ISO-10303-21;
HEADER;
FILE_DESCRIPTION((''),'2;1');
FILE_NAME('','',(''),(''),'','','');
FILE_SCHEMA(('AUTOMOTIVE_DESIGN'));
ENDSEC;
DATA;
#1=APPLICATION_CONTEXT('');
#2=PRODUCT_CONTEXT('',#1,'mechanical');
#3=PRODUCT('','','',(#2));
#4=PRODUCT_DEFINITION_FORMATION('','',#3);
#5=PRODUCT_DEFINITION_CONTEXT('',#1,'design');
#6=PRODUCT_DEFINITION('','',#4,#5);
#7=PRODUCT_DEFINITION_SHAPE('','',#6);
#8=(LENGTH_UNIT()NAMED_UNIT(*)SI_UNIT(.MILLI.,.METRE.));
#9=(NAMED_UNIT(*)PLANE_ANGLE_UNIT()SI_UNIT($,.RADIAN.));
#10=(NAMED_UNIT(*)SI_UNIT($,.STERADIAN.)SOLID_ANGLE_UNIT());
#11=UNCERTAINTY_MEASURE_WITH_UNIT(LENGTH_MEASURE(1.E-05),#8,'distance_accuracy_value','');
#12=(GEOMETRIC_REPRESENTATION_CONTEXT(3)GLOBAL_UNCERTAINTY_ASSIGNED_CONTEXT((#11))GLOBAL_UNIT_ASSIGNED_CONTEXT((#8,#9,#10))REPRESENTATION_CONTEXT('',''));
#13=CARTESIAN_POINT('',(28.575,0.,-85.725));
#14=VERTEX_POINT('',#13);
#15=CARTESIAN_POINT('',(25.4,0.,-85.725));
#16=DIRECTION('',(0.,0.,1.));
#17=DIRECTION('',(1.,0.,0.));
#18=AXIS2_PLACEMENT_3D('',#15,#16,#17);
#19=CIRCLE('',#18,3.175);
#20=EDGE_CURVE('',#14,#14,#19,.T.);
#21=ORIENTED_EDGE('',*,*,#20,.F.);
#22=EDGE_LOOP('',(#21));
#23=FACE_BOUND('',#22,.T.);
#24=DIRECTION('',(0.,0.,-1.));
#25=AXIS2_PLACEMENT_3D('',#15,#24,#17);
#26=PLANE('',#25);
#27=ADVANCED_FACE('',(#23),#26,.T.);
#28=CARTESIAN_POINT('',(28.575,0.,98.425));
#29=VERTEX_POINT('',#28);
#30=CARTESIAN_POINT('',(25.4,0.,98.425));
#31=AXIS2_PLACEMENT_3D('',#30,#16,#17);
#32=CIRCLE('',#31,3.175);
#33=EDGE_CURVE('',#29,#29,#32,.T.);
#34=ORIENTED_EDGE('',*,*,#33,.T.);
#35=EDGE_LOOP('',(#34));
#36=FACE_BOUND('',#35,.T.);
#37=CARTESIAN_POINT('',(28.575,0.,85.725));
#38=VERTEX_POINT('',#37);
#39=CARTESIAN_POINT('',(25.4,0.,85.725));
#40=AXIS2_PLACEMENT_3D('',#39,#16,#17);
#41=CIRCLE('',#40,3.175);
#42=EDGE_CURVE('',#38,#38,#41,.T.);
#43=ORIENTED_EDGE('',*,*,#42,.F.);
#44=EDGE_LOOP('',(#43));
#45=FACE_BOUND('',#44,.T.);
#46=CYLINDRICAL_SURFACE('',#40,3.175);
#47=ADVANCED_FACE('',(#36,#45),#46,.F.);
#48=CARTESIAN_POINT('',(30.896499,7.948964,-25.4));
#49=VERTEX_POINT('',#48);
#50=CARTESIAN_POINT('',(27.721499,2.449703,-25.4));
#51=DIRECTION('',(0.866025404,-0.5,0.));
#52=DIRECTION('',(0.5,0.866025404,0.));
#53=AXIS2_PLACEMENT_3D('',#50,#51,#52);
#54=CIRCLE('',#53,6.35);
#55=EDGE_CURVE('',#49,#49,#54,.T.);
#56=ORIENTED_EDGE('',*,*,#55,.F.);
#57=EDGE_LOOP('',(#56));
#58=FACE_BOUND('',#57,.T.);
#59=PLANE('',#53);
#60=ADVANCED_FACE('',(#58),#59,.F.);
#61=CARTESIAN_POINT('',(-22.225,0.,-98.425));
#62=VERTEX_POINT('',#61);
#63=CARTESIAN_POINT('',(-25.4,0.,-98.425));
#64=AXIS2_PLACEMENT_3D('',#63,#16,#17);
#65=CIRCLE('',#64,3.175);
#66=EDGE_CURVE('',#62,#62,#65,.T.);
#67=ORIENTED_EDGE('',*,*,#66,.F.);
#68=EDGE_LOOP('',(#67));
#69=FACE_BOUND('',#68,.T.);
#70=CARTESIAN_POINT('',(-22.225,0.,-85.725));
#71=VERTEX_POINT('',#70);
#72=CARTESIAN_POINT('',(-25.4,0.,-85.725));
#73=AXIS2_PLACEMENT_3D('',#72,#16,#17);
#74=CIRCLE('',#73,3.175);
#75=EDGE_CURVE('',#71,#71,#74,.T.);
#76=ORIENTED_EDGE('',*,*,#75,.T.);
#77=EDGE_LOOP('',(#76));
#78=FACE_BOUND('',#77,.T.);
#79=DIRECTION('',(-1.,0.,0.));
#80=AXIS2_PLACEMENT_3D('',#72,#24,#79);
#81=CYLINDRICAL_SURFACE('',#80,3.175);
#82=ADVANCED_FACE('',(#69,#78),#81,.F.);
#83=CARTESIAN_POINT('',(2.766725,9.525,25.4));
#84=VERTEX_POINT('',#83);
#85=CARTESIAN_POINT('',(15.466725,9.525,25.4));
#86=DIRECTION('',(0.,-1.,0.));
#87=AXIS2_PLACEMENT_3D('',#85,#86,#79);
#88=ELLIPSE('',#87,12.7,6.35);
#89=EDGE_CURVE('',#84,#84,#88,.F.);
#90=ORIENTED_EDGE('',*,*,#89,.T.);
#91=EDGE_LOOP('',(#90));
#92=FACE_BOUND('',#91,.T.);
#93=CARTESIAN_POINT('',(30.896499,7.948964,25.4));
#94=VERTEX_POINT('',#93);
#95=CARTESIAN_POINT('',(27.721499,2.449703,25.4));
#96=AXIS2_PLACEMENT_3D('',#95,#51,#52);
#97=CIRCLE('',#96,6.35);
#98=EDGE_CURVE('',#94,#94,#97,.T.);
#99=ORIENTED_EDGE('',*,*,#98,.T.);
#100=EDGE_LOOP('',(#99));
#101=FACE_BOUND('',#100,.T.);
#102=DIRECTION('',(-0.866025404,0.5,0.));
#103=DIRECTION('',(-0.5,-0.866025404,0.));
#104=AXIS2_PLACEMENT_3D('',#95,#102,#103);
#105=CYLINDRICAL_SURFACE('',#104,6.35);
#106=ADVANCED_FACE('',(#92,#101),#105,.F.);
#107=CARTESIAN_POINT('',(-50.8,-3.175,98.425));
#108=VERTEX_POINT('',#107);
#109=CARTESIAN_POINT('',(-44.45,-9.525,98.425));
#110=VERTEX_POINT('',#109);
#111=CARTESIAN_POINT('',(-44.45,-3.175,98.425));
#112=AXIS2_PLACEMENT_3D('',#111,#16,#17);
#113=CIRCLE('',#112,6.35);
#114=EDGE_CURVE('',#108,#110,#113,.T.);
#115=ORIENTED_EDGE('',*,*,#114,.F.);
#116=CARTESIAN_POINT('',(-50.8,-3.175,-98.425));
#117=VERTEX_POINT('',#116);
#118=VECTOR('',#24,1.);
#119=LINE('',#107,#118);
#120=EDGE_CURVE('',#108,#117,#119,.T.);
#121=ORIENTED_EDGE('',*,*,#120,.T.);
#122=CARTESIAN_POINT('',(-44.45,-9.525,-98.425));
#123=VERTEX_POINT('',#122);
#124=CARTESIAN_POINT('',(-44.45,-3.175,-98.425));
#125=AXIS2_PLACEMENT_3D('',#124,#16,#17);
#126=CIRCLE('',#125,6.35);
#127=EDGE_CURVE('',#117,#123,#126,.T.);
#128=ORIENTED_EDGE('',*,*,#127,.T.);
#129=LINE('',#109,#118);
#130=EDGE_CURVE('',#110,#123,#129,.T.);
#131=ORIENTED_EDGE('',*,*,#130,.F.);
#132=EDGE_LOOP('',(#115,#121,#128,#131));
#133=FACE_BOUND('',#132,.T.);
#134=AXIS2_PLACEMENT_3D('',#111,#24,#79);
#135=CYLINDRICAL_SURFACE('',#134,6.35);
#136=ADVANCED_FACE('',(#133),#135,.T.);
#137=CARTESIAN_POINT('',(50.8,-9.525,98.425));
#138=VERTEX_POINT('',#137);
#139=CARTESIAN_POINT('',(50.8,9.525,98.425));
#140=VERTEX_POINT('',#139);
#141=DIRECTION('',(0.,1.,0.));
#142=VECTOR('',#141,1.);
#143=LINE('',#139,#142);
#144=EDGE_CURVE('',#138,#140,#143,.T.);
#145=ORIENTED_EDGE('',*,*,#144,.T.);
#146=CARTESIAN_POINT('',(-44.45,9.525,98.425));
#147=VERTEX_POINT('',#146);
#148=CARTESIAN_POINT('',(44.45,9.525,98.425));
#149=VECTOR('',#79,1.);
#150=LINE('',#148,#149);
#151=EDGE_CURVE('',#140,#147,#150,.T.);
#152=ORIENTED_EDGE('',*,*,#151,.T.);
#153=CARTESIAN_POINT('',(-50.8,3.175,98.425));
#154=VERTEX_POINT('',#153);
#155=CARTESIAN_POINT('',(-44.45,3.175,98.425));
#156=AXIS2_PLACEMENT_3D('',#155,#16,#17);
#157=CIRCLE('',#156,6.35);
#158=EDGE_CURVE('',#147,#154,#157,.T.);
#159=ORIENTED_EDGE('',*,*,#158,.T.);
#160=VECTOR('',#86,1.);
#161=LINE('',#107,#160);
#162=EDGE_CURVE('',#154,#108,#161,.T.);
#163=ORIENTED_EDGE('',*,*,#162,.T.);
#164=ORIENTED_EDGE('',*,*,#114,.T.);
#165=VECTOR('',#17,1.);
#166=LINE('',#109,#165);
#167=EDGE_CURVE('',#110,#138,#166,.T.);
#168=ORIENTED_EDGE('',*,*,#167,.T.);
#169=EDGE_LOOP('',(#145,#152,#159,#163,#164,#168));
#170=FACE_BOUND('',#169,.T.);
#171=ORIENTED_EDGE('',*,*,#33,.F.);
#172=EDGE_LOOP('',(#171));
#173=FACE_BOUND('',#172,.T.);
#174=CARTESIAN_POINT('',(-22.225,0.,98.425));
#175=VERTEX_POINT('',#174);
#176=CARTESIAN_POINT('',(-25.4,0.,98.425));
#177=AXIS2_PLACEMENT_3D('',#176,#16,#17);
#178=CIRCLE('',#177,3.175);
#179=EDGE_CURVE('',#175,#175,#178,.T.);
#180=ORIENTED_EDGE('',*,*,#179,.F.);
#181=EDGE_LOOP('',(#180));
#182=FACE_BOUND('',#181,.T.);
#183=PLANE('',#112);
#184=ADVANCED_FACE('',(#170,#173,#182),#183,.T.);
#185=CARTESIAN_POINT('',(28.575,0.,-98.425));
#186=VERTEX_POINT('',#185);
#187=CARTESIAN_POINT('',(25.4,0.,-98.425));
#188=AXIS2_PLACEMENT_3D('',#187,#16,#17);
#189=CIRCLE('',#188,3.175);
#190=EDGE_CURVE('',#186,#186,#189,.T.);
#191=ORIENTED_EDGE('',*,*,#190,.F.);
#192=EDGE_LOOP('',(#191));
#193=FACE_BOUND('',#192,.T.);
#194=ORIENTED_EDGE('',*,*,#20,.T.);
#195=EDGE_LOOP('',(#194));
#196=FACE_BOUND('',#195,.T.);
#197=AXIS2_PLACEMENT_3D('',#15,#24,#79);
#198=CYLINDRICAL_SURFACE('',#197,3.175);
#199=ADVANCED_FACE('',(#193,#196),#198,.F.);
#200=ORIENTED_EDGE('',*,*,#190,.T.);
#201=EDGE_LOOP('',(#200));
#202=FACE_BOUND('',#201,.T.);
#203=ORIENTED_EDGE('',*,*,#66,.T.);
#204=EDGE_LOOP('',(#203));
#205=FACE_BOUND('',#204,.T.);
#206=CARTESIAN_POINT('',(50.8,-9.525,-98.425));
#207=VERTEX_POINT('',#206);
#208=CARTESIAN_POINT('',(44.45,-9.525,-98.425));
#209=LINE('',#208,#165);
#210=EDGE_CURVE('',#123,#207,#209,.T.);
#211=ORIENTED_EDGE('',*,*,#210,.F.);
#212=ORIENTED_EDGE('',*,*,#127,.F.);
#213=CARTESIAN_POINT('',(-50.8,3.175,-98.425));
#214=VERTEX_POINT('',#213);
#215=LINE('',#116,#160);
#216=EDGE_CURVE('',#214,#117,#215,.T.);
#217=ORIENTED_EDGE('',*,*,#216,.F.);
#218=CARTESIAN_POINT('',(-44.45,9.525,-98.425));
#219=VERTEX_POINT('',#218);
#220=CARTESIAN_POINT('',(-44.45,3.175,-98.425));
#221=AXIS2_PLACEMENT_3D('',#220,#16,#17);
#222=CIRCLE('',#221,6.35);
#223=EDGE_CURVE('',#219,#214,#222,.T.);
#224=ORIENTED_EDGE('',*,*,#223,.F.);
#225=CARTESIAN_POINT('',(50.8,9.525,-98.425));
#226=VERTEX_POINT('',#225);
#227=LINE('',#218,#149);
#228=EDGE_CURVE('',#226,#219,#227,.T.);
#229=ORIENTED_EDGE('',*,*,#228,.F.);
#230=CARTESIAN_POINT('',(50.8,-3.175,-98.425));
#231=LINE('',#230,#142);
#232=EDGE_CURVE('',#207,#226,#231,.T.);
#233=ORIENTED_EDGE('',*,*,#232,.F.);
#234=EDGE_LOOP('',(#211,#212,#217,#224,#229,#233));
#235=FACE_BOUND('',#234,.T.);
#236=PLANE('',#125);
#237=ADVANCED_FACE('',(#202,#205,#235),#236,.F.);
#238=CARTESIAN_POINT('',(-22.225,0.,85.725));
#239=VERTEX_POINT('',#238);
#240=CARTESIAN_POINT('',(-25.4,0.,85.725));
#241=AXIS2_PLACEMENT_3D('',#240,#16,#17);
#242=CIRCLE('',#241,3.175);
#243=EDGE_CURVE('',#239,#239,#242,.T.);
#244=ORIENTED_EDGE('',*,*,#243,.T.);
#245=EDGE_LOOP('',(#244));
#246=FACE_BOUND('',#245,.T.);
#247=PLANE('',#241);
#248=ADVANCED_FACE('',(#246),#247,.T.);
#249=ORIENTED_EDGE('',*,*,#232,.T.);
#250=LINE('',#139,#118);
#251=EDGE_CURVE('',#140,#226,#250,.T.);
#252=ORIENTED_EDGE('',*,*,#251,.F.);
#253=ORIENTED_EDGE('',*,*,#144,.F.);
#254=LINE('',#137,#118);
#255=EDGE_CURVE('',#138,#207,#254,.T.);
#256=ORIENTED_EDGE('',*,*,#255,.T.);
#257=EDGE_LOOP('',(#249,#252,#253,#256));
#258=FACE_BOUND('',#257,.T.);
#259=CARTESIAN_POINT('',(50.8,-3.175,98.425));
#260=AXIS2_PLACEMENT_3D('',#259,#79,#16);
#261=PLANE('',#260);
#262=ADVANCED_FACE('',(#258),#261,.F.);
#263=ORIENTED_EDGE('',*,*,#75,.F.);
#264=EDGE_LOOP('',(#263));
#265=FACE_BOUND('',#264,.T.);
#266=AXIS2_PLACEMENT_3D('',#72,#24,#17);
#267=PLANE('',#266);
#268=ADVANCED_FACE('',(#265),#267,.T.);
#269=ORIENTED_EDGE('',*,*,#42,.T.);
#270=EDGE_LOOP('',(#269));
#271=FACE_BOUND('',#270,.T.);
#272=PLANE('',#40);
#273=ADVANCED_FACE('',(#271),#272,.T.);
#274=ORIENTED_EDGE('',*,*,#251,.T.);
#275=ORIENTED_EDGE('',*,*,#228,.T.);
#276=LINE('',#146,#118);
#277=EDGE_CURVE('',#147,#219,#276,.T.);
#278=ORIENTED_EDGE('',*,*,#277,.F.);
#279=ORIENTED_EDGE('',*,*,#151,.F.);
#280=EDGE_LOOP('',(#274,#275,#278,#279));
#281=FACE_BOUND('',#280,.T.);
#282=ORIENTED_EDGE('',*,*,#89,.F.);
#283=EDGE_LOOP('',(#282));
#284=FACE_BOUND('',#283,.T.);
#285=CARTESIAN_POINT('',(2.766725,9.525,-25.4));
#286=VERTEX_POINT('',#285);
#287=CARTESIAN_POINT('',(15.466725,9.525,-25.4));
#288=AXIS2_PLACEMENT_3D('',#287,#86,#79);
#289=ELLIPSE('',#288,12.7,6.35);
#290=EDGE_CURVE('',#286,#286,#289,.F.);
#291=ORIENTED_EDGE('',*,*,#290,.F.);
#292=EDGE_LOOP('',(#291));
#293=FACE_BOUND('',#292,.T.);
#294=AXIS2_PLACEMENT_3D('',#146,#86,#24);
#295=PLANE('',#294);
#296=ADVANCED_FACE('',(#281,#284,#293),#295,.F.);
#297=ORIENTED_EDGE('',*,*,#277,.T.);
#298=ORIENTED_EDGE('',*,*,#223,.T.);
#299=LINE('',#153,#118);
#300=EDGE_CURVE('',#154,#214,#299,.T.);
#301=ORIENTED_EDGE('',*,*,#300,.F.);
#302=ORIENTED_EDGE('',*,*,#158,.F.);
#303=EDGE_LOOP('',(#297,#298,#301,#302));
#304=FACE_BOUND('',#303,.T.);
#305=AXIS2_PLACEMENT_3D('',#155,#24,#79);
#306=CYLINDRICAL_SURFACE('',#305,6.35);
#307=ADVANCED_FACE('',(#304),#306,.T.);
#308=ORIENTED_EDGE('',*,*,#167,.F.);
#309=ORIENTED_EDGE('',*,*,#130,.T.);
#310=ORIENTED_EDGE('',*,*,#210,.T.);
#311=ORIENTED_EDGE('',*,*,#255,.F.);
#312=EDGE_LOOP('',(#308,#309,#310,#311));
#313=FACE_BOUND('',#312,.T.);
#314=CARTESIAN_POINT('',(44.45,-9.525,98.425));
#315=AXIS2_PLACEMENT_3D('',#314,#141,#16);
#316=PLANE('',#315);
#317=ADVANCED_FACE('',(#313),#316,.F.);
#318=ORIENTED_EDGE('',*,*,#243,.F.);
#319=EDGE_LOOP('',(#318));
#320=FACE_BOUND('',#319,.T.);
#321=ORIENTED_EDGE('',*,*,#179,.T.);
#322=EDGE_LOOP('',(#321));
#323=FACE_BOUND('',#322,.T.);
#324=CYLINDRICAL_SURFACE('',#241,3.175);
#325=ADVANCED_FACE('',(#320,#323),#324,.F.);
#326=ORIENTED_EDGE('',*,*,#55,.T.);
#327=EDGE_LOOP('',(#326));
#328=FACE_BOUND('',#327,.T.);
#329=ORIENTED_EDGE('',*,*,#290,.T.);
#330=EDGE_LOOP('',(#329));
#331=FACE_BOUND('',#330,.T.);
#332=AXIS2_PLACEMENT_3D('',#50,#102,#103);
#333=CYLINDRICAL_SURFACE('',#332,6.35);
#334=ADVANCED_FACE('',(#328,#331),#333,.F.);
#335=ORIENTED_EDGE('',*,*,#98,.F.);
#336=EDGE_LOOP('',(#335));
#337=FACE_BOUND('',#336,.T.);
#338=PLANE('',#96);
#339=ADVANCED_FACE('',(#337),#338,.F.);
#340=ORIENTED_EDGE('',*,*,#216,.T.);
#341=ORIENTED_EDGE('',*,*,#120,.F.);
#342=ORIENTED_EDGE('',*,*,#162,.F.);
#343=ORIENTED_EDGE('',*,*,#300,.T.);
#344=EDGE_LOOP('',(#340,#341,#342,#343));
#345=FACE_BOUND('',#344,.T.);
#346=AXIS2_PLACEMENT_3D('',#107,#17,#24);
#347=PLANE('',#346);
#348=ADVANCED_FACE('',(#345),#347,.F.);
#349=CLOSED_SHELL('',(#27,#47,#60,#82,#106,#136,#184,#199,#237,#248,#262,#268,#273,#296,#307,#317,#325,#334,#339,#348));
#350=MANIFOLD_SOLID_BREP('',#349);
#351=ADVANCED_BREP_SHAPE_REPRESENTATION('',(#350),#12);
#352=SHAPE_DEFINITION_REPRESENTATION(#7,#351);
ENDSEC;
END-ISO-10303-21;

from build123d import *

# Parameters (mm, degrees)
BOSS_EXTRUDE1_DEPTH = 98.425
SKETCH2_R           = 3.175
CUT_EXTRUDE1_DEPTH  = 12.7
SKETCH3_R           = 6.35
CUT_EXTRUDE2_DEPTH  = 66.04


with BuildPart() as part:
    # Sketch1 → Boss-Extrude1 (new body, symmetric)
    with BuildSketch(Plane.XY):
        with BuildLine():
            Line((44.45, 9.525), (50.8, 9.525))
            Line((50.8, 9.525), (50.8, 3.175))
            Line((50.8, 3.175), (50.8, -3.175))
            Line((50.8, -3.175), (50.8, -9.525))
            Line((50.8, -9.525), (44.45, -9.525))
            Line((44.45, -9.525), (-44.45, -9.525))
            ThreePointArc((-44.45, -9.525), (-48.940128061, -7.665128061), (-50.8, -3.175))
            Line((-50.8, -3.175), (-50.8, 3.175))
            ThreePointArc((-50.8, 3.175), (-48.940128061, 7.665128061), (-44.45, 9.525))
            Line((-44.45, 9.525), (44.45, 9.525))
        make_face()
    extrude(amount=BOSS_EXTRUDE1_DEPTH, both=True)

    # Sketch2 → Cut-Extrude1 (cut)
    with BuildSketch(Plane.XY.offset(98.425)):
        with Locations((-25.4, 0)):
            Circle(SKETCH2_R)
        with Locations((25.4, 0)):
            Circle(SKETCH2_R)
    cut_extrude1 = extrude(amount=-CUT_EXTRUDE1_DEPTH, mode=Mode.SUBTRACT)

    # Sketch3 → Cut-Extrude2 (cut)
    with BuildSketch(Plane(origin=(-37.461945986, 21.628664599, 0), x_dir=(0, 0, -1), z_dir=(0.866025404, -0.5, 0))):
        with Locations(Location((-25.4, 15.982254693, 0), (0, 0, 270))):  # turned: the seam where the file's is
            Circle(SKETCH3_R)
        with Locations(Location((25.4, 15.982254693, 0), (0, 0, 270))):  # turned: the seam where the file's is
            Circle(SKETCH3_R)
    extrude(amount=CUT_EXTRUDE2_DEPTH, mode=Mode.SUBTRACT)

    # Mirror1: Cut-Extrude1 across plane
    add(cut_extrude1.mirror(Plane.XY), mode=Mode.SUBTRACT)


solid = part.part
